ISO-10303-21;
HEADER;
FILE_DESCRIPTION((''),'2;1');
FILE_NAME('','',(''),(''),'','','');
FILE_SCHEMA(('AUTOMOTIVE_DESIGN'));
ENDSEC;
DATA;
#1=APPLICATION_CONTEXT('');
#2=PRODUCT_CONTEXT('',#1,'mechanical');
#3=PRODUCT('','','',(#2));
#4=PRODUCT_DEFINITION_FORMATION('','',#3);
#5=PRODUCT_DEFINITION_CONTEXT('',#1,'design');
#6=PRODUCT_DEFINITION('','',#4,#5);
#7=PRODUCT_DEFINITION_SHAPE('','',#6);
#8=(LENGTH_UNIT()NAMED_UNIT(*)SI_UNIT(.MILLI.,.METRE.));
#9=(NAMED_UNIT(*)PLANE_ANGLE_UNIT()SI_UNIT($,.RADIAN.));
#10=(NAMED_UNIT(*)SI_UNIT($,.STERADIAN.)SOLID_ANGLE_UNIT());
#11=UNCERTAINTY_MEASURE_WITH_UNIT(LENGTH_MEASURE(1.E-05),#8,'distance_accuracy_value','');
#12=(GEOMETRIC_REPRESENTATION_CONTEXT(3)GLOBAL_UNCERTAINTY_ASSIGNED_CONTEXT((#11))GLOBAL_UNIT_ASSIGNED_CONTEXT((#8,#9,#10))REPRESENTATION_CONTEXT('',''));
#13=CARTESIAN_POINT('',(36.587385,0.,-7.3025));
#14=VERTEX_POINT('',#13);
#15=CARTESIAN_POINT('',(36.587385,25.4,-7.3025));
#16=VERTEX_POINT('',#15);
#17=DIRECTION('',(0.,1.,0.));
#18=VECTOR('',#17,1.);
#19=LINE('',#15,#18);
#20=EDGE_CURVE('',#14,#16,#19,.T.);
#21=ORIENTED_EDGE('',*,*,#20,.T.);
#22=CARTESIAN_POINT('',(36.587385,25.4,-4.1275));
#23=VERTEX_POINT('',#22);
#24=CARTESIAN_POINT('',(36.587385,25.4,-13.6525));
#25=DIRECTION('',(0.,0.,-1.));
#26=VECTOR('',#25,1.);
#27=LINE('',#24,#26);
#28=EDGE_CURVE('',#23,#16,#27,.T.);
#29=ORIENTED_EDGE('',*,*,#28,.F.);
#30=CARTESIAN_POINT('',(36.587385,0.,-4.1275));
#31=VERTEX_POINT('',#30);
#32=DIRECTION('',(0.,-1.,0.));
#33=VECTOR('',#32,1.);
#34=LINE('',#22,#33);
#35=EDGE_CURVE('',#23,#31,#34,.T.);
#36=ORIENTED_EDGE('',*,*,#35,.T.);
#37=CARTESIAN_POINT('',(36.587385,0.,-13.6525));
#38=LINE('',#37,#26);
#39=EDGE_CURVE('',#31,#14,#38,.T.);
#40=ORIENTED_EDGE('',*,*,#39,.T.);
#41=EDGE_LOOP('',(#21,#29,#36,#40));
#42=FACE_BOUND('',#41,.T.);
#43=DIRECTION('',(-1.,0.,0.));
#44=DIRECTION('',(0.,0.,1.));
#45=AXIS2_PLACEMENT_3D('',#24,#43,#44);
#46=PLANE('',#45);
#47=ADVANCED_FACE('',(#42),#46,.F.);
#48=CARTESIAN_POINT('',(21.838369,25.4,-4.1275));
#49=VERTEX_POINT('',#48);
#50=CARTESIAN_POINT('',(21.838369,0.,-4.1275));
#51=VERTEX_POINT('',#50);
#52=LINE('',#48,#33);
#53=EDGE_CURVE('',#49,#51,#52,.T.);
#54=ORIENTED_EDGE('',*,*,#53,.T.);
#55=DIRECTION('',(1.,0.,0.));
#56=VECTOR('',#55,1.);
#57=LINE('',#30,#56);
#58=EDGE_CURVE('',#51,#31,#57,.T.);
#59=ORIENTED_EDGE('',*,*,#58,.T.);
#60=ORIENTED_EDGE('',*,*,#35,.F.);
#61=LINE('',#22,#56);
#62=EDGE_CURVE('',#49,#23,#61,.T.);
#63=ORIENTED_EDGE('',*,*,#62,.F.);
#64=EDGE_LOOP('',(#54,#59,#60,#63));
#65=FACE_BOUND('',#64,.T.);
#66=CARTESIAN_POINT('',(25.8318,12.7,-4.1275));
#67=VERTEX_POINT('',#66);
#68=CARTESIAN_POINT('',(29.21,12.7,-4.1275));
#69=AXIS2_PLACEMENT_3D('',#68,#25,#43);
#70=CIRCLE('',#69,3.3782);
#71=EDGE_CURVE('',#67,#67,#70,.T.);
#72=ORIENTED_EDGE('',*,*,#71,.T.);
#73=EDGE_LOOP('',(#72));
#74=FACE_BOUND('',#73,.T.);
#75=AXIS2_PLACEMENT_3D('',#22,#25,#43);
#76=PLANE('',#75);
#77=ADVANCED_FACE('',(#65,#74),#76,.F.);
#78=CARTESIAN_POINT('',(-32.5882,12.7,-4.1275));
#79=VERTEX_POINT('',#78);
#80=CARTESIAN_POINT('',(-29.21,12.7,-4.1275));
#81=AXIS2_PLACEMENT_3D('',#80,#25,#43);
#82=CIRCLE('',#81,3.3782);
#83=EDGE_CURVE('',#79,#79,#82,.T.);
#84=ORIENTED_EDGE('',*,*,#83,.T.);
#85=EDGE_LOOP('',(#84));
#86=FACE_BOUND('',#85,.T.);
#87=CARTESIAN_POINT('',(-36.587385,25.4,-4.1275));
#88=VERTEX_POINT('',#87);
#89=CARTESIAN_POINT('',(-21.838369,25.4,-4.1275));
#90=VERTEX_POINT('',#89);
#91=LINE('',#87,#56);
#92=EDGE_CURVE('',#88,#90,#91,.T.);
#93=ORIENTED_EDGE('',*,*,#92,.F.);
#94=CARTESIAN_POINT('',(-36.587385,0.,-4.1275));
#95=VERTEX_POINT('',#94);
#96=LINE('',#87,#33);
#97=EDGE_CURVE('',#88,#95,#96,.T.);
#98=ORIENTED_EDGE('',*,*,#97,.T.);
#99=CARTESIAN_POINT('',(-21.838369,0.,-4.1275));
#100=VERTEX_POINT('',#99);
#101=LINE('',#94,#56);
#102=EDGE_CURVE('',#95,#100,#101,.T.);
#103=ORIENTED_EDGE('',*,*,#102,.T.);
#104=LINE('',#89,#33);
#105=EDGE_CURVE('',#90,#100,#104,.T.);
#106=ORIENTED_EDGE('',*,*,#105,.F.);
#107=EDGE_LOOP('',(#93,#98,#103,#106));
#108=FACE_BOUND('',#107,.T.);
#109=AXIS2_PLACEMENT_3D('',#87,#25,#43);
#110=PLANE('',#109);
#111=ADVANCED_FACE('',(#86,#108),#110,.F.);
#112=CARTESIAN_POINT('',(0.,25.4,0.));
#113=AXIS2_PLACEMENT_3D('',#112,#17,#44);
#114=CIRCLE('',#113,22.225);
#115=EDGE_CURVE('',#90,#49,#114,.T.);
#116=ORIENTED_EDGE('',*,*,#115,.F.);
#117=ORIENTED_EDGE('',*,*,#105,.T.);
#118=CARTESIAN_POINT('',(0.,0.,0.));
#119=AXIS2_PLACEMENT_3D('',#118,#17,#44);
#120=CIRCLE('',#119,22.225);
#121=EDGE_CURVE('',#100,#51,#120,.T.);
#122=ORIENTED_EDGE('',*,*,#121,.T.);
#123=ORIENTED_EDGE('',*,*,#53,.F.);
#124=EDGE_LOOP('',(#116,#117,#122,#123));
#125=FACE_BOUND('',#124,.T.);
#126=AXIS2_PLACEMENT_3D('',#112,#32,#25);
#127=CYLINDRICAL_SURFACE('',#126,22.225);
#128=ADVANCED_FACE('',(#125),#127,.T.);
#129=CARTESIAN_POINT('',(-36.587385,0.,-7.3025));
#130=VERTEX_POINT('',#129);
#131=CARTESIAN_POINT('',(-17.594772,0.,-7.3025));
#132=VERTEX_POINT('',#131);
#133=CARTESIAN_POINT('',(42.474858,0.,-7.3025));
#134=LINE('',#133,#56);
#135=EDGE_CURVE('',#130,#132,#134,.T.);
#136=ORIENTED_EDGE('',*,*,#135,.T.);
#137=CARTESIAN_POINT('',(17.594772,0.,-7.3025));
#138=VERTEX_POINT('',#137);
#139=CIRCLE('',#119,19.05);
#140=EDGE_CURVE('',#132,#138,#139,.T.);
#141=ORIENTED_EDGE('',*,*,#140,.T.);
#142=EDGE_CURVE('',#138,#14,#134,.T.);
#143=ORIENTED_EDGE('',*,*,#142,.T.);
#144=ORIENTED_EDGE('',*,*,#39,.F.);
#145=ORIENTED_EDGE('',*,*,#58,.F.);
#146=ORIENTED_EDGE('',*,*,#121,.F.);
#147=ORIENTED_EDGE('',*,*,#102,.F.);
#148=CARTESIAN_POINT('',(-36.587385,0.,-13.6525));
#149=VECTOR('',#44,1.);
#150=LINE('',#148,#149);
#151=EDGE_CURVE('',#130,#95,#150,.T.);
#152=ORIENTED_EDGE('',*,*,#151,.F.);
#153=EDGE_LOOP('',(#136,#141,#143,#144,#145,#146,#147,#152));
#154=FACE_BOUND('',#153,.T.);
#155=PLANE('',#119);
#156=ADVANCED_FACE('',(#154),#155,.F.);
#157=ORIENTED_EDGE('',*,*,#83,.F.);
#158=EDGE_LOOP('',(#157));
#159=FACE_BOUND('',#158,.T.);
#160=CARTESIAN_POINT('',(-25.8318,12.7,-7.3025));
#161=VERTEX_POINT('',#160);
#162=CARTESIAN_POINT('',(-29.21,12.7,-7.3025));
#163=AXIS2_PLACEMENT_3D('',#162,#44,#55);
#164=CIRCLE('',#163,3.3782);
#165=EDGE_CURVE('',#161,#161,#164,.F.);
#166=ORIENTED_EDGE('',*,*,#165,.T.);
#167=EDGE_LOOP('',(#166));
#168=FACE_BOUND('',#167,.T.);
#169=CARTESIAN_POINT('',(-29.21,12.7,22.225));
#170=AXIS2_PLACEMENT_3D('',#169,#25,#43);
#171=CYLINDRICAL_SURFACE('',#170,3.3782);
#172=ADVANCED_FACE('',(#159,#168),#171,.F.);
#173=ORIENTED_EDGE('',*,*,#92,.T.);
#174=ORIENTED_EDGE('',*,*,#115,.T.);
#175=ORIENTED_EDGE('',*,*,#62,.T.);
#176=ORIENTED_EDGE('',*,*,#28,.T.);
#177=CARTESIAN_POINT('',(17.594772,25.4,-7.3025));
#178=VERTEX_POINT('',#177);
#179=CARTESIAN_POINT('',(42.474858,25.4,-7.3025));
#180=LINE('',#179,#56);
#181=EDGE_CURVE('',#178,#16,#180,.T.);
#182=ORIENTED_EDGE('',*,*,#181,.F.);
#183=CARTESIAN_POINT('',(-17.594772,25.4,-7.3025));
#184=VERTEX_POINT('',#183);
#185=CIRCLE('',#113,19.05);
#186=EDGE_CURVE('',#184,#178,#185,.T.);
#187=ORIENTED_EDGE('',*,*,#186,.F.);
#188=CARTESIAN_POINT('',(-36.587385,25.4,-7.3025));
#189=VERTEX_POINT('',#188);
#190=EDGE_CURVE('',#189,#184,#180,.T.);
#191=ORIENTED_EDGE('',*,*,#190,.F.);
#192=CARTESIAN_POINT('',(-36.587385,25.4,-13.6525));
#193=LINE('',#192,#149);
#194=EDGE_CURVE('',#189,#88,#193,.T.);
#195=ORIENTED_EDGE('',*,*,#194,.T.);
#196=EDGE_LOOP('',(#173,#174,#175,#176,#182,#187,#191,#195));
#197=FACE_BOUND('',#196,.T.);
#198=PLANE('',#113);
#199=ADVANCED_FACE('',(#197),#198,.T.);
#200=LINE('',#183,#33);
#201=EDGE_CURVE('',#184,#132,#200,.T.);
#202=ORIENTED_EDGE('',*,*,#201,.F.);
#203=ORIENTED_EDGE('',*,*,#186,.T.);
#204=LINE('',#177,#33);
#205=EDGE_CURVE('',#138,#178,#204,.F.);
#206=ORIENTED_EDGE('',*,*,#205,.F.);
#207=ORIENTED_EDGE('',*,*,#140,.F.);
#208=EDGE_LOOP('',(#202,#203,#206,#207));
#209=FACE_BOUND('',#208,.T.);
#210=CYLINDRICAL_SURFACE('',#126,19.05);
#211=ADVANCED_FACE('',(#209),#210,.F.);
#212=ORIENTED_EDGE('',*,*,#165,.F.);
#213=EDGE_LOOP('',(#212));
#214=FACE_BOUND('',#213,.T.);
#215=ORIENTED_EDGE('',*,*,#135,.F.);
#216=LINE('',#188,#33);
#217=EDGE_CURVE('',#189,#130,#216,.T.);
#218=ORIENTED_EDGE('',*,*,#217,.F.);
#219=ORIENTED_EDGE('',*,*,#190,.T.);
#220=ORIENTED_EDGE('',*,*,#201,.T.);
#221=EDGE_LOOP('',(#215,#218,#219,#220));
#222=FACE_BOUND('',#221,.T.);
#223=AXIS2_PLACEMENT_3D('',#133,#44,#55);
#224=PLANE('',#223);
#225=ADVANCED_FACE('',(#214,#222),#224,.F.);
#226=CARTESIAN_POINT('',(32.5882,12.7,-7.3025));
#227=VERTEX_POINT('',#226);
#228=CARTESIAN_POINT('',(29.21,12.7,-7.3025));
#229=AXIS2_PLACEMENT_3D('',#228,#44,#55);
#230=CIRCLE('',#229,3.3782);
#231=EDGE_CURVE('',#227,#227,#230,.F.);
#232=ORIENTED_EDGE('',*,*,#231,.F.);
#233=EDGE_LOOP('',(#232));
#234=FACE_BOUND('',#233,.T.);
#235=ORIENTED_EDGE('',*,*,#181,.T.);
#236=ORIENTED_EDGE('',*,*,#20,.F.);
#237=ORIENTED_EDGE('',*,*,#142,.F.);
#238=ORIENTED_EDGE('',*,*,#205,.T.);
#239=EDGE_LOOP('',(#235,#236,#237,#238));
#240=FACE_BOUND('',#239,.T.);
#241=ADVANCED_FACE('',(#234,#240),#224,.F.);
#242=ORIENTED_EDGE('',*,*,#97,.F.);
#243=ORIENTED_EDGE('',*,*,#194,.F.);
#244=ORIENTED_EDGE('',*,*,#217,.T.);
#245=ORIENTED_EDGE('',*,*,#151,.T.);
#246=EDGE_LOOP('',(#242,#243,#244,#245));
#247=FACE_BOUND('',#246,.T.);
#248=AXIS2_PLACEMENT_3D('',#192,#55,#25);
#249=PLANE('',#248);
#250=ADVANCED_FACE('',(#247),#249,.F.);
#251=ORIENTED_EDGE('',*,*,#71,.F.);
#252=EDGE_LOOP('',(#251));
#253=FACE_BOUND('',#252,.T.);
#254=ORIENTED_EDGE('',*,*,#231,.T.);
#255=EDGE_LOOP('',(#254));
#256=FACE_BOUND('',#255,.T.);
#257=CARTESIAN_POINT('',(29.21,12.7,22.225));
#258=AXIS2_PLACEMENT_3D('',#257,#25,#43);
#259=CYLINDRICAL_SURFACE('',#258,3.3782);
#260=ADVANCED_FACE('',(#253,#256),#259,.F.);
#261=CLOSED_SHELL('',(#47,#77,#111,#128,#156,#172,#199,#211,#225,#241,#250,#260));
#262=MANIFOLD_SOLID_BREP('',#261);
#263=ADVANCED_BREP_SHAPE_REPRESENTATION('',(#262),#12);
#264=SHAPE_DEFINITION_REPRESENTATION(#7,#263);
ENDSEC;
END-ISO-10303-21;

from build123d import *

# Parameters (mm, degrees)
SKETCH1_R           = 19.05
BOSS_EXTRUDE1_DEPTH = 25.4
SKETCH2_R           = 3.3782
CUT_EXTRUDE1_DEPTH  = 36.8775
SKETCH3_W           = 84.126846883
SKETCH3_H           = 24.140829336
CUT_EXTRUDE2_DEPTH  = 26.4


with BuildPart() as part:
    # Sketch1 → Boss-Extrude1 (new body)
    with BuildSketch(Plane(origin=(0, 0, 0), x_dir=(1, 0, 0), z_dir=(0, 1, 0))):
        with BuildLine():
            Line((36.587384889, 13.6525), (17.537384889, 13.6525))
            ThreePointArc((17.537384889, 13.6525), (0, 22.225), (-17.537384889, 13.6525))
            Line((-17.537384889, 13.6525), (-36.587384889, 13.6525))
            Line((-36.587384889, 13.6525), (-36.587384889, 4.1275))
            Line((-36.587384889, 4.1275), (-21.838369187, 4.1275))
            ThreePointArc((-21.838369187, 4.1275), (0, -22.225), (21.838369187, 4.1275))
            Line((21.838369187, 4.1275), (36.587384889, 4.1275))
            Line((36.587384889, 4.1275), (36.587384889, 13.6525))
        make_face()
        Circle(SKETCH1_R, mode=Mode.SUBTRACT)
    extrude(amount=BOSS_EXTRUDE1_DEPTH)

    # Sketch2 → Cut-Extrude1 (cut, through all)
    with BuildSketch(Plane(origin=(0, 0, -13.6525), x_dir=(-1, 0, 0), z_dir=(0, 0, -1))):
        with Locations((29.21, 12.7)):
            Circle(SKETCH2_R)
        with Locations((-29.21, 12.7)):
            Circle(SKETCH2_R)
    extrude(amount=-CUT_EXTRUDE1_DEPTH, mode=Mode.SUBTRACT)

    # Sketch3 → Cut-Extrude2 (cut, through all)
    with BuildSketch(Plane(origin=(0, 25.4, 0), x_dir=(1, 0, 0), z_dir=(0, 1, 0))):
        with Locations((0.41143502, 19.372914668)):
            Rectangle(SKETCH3_W, SKETCH3_H)
    extrude(amount=-CUT_EXTRUDE2_DEPTH, mode=Mode.SUBTRACT)


solid = part.part
